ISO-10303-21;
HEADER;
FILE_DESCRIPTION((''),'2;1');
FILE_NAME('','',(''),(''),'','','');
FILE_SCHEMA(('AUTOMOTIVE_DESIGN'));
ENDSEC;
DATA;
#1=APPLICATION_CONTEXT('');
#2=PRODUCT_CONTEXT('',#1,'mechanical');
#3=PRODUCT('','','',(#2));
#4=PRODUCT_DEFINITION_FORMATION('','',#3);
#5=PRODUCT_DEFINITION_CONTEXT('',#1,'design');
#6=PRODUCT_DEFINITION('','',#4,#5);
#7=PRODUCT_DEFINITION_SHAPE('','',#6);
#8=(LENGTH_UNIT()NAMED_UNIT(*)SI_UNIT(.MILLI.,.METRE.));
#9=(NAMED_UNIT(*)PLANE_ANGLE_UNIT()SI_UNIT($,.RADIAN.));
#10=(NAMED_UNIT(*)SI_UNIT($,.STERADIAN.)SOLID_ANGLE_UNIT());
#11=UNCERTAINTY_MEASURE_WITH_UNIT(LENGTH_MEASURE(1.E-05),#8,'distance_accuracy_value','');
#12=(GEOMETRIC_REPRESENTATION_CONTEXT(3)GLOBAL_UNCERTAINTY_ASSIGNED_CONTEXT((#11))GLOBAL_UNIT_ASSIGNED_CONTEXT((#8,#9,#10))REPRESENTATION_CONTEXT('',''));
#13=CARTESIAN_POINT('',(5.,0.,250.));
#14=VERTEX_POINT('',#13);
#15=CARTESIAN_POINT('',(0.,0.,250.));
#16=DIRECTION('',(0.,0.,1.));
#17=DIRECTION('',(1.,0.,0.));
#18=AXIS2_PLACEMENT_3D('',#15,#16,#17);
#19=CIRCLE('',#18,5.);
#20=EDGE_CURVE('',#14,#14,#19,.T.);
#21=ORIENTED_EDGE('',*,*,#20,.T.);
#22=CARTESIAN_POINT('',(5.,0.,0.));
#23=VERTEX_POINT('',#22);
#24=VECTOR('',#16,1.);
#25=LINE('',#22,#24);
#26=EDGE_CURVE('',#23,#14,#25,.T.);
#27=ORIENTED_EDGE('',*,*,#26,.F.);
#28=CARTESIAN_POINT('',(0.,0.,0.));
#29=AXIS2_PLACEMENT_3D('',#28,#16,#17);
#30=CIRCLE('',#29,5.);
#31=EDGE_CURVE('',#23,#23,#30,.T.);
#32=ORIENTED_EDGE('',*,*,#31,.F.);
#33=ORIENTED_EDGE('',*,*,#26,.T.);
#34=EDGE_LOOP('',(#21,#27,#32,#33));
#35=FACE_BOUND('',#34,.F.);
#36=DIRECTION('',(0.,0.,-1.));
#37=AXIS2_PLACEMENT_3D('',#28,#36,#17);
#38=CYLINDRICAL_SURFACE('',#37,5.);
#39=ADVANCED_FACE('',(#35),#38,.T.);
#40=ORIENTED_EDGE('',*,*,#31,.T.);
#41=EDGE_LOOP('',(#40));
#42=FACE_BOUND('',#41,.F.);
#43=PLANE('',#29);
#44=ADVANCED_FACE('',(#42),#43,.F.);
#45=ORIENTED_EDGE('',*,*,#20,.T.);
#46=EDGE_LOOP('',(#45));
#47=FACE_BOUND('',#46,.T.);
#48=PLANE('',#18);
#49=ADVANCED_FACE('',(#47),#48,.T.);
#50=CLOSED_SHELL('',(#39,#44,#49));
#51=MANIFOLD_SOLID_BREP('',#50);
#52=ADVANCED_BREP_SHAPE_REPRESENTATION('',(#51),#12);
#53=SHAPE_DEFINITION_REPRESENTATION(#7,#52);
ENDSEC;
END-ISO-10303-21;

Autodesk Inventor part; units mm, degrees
ref_plane "YZ Plane" through (0, 0, 0) normal (1, 0, 0) x (0, 1, 0)
ref_plane "XZ Plane" through (0, 0, 0) normal (0, 1, 0) x (-1, 0, 0)
ref_plane "XY Plane" through (0, 0, 0) normal (0, 0, 1) x (1, 0, 0)
sketch "Sketch1" plane through (0, 0, 0) normal (0, 0, 1) x (1, 0, 0)
  circle A0 centre (0, 0) radius 5
  dimension "d0" = 10
extrude "Extrusion1" add sketch "Sketch1" along normal blind 250
properties part number "armeringsjern"
